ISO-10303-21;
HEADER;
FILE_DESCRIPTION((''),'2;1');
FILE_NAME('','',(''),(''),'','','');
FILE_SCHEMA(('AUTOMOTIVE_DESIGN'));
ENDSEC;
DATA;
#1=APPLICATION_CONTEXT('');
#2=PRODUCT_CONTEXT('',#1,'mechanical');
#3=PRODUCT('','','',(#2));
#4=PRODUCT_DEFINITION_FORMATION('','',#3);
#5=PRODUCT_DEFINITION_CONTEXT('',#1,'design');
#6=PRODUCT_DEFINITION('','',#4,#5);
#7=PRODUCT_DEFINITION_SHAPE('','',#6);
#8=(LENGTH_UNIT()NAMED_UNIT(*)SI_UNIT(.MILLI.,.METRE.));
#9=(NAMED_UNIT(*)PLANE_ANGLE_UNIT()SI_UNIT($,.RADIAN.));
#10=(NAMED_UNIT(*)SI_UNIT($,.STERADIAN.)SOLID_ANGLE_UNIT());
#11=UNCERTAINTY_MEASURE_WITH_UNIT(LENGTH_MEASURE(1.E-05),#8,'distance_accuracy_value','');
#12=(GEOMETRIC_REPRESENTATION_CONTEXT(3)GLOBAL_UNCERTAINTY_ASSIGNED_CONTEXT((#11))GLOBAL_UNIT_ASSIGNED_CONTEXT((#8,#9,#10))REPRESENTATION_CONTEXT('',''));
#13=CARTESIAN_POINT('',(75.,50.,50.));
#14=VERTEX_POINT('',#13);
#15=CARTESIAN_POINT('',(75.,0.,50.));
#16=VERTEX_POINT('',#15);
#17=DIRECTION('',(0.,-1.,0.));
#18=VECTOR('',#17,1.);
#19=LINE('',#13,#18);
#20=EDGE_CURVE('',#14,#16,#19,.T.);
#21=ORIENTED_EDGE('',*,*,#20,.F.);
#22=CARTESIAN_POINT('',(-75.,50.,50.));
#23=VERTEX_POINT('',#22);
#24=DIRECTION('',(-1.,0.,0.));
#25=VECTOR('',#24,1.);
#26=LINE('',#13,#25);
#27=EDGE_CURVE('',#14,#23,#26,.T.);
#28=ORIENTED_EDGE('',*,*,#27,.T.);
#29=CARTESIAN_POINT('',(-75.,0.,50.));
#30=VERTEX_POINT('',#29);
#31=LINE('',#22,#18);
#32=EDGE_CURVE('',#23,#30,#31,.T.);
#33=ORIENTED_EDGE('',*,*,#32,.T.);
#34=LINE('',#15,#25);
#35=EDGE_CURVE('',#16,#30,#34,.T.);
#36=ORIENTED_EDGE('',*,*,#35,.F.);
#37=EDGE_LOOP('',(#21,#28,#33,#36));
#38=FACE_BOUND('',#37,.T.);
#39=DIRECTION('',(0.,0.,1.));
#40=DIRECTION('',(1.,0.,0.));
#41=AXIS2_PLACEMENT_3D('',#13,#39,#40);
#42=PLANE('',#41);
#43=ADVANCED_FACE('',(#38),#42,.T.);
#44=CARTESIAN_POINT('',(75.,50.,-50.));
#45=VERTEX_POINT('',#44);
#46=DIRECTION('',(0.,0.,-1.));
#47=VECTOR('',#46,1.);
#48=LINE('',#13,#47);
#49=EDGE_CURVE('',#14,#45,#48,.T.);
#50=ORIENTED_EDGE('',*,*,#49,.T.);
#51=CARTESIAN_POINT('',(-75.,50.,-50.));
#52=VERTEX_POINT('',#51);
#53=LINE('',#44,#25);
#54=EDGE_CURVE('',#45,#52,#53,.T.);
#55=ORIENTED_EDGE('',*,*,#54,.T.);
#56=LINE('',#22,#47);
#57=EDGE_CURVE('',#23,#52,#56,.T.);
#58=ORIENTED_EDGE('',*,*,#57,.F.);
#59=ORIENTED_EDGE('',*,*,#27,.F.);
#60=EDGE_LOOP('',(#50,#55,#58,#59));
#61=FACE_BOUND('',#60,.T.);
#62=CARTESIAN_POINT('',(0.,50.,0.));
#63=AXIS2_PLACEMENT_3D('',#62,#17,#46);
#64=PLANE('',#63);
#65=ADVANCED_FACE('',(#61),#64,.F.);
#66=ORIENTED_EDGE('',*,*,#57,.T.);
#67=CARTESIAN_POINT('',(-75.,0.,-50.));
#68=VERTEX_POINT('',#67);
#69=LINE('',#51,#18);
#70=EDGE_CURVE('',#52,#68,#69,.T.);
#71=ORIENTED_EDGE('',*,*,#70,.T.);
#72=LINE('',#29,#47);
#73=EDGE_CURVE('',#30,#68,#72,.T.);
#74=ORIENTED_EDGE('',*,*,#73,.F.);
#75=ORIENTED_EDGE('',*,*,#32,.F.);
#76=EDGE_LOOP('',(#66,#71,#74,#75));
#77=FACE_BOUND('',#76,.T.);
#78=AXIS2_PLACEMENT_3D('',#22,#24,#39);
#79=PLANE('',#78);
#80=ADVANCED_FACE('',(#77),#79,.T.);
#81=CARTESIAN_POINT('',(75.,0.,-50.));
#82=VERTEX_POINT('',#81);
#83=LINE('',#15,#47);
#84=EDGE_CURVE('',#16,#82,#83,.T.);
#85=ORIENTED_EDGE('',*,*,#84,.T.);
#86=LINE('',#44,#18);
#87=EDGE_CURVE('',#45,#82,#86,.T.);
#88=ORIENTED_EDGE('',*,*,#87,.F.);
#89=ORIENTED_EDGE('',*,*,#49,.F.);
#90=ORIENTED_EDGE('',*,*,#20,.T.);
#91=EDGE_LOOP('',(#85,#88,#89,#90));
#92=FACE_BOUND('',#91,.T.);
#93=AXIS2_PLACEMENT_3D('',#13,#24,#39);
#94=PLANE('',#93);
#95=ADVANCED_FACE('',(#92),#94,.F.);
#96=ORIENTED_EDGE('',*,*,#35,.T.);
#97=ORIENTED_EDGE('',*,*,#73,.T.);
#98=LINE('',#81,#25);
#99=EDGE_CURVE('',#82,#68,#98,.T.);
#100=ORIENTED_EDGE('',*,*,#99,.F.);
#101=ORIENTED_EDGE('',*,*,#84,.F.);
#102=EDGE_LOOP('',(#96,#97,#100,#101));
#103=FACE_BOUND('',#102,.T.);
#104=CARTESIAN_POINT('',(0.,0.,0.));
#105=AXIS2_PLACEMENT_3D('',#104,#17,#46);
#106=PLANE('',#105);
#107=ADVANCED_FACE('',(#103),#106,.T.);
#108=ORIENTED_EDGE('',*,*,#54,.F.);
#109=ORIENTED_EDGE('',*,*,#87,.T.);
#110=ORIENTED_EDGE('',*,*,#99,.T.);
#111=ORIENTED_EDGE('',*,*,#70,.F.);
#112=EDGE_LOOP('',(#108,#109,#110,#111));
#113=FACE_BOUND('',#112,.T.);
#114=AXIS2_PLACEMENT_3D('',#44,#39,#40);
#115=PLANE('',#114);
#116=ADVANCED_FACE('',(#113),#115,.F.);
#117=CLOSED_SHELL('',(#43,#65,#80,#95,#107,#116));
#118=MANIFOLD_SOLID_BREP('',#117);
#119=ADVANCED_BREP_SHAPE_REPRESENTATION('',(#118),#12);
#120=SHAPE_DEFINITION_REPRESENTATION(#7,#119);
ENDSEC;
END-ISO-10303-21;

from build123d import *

# Parameters (mm, degrees)
SKETCH1_W           = 150
SKETCH1_H           = 100
BOSS_EXTRUDE1_DEPTH = 50


with BuildPart() as part:
    # Sketch1 → Boss-Extrude1 (new body)
    with BuildSketch(Plane(origin=(0, 0, 0), x_dir=(1, 0, 0), z_dir=(0, 1, 0))):
        Rectangle(SKETCH1_W, SKETCH1_H)
    extrude(amount=BOSS_EXTRUDE1_DEPTH)


solid = part.part
